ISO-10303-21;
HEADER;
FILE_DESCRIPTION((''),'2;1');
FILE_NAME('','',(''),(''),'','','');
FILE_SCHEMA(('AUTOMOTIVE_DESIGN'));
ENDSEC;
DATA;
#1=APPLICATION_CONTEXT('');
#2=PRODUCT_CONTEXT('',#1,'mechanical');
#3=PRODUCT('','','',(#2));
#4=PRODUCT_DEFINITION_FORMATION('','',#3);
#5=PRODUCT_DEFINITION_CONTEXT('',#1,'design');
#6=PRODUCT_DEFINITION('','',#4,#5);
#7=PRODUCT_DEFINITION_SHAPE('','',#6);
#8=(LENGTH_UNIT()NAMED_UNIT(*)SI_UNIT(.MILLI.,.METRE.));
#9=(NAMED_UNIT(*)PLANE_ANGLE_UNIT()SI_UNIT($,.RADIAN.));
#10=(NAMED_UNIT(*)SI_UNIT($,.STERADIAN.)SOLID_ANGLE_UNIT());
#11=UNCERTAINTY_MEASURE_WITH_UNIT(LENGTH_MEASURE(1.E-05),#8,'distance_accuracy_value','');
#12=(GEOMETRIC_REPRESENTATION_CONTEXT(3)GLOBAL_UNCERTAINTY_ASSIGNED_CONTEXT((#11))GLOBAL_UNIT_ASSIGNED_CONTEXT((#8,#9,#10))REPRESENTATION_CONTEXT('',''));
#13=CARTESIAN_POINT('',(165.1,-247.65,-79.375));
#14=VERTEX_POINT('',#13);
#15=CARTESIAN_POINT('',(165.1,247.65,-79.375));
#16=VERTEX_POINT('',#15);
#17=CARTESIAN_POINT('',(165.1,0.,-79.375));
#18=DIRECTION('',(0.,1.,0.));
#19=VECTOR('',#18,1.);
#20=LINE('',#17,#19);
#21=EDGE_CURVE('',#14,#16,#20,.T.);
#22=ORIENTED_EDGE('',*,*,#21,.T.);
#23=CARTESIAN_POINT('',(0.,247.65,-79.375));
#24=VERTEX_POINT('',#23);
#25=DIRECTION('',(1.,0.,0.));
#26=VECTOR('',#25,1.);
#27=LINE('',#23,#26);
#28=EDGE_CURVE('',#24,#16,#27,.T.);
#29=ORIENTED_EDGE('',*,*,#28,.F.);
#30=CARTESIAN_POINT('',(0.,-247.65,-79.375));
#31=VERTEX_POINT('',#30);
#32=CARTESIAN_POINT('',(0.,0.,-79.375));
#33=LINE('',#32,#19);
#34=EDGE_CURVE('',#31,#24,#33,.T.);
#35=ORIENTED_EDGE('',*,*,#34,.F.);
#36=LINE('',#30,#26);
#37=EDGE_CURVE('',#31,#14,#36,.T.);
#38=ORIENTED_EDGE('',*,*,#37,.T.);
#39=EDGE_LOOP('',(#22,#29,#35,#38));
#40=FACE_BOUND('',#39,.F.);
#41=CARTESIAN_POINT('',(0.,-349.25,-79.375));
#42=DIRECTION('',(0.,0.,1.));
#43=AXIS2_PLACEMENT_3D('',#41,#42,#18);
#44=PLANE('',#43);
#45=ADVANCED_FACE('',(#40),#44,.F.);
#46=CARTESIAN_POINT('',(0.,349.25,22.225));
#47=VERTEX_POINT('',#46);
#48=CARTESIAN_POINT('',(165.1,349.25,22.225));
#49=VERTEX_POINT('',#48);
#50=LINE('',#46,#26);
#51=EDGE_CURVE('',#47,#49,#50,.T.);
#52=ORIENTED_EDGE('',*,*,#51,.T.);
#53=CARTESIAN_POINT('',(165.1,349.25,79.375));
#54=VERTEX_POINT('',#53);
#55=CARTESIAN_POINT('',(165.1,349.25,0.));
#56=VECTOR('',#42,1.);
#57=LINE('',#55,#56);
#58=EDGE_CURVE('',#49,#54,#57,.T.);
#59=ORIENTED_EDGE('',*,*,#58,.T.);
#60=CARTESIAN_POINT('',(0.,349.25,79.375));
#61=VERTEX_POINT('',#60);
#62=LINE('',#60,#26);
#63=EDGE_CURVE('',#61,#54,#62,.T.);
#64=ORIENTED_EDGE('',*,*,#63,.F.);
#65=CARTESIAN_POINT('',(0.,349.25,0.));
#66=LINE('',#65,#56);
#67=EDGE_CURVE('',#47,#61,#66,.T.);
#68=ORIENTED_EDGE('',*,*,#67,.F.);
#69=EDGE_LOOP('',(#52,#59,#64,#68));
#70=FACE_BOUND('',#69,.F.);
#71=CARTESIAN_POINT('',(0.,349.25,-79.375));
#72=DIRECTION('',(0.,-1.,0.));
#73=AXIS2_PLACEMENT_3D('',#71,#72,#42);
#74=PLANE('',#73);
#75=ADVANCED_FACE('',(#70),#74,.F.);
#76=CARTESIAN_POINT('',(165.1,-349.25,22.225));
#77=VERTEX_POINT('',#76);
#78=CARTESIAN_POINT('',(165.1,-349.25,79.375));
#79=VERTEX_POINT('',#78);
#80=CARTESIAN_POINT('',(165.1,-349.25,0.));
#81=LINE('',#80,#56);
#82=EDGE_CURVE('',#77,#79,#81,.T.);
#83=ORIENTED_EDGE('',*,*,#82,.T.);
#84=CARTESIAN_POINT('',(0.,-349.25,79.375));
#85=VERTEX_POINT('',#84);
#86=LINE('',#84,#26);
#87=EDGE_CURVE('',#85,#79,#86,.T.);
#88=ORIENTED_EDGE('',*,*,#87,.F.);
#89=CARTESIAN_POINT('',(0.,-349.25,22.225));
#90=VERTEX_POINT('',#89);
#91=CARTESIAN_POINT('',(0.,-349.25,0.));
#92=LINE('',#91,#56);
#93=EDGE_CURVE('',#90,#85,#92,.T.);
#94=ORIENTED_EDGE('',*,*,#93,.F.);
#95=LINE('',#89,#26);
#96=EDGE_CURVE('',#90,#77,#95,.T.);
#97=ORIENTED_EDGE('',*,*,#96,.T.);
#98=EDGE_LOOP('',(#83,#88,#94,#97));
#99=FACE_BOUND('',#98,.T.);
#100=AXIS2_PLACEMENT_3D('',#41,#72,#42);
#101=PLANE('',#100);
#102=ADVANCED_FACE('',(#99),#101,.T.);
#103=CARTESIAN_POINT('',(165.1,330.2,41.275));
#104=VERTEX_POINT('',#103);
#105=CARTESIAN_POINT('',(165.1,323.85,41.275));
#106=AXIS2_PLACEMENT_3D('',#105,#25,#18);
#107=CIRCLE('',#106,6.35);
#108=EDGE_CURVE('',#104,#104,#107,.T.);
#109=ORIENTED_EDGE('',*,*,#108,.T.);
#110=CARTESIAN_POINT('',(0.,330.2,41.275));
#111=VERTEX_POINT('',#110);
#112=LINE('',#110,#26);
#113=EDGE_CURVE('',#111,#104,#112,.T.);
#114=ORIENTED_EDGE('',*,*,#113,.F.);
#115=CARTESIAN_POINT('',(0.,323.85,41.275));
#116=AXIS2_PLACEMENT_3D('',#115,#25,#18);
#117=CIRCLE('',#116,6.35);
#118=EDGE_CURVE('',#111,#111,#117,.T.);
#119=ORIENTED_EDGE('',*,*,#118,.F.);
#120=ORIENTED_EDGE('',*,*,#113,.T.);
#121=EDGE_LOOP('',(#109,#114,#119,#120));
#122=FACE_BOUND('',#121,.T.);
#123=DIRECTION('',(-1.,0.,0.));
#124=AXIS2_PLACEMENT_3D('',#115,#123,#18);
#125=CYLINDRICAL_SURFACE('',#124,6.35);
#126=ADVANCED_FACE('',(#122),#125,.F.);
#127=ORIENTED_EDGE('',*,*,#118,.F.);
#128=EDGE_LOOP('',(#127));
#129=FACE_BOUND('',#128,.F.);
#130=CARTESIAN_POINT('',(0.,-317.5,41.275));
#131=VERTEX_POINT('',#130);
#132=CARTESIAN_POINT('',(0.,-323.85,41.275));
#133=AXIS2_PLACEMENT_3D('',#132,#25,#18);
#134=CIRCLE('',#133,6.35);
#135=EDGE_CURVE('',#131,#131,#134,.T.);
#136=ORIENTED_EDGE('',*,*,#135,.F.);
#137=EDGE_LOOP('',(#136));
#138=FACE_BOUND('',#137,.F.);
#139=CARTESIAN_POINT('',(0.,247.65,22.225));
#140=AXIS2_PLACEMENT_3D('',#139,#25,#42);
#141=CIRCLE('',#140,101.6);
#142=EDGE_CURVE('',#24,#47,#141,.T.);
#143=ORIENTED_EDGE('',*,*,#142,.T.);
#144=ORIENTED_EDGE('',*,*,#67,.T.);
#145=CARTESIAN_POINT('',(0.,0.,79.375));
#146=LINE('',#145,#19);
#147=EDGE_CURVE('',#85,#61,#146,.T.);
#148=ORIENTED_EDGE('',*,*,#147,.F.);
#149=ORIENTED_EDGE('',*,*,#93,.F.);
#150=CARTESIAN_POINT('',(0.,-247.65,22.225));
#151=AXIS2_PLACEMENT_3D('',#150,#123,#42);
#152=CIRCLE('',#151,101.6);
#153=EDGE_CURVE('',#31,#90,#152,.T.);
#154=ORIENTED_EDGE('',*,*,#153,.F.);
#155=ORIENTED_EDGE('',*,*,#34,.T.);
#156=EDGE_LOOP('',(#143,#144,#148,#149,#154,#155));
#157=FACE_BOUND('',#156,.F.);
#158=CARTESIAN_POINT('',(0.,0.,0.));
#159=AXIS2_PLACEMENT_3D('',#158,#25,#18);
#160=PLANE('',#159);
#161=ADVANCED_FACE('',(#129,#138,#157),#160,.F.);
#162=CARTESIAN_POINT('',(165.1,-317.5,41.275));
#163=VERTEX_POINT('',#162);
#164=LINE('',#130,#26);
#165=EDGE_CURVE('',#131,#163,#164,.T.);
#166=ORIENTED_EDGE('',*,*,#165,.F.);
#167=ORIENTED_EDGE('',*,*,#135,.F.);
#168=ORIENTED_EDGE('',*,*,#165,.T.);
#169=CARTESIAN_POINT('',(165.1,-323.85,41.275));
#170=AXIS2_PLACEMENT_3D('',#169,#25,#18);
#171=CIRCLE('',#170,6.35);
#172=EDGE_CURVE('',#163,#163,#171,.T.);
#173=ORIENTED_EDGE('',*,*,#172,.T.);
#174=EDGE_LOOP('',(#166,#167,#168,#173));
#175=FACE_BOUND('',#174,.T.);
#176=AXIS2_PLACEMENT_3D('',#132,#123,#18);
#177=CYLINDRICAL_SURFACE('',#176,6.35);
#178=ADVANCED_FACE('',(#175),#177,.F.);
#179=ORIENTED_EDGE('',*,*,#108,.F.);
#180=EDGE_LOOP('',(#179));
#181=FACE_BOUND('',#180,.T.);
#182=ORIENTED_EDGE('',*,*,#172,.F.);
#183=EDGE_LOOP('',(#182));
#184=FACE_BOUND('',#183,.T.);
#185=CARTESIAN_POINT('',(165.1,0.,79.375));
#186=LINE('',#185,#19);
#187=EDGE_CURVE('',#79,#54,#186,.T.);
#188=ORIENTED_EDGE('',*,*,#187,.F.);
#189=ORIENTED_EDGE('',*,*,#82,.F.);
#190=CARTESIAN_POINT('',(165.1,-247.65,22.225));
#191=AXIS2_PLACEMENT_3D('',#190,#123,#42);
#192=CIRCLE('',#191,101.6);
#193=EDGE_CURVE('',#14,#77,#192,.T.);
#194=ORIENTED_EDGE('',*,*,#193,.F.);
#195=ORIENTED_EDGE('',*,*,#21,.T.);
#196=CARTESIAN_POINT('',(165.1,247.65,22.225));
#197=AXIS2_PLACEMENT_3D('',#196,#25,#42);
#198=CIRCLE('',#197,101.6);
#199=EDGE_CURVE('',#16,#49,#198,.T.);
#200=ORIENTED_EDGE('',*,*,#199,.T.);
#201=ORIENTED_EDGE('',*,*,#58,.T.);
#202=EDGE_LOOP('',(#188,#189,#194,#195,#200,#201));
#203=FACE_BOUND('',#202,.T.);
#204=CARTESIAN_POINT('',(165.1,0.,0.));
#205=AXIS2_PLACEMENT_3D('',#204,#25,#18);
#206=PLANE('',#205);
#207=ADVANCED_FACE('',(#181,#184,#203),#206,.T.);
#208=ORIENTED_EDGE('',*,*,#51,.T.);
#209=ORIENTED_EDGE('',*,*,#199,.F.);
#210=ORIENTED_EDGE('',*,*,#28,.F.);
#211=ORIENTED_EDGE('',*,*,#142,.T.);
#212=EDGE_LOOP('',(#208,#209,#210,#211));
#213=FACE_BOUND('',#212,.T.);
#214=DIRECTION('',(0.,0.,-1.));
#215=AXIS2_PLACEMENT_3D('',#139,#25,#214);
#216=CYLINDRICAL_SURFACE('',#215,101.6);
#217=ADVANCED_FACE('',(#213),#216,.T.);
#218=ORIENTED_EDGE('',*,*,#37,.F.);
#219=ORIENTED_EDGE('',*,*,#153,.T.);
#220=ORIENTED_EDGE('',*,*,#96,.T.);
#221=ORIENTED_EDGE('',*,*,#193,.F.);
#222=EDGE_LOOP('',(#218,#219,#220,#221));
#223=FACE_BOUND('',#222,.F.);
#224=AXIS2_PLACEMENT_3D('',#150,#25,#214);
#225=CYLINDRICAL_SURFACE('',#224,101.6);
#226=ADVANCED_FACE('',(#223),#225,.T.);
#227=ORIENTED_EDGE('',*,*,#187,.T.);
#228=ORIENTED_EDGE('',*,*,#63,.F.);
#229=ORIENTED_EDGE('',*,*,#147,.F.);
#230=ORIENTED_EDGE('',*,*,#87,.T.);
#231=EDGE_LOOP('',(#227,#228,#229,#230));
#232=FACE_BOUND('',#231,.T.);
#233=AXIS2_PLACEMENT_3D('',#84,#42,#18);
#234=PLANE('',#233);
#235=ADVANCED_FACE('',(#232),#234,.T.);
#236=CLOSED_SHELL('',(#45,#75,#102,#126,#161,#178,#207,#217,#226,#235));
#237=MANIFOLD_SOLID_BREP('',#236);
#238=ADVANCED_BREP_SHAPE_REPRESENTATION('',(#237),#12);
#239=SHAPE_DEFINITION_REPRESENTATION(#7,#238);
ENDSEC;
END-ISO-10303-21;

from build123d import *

# Parameters (mm, degrees)
F0_W     = 698.5
F0_H     = 158.75
F0_R     = 6.35
F1_DEPTH = 165.1
F2_R     = 101.6
F3_R     = 101.6


with BuildPart() as f1:
    # F0 (on Right) → F1 (new body)
    with BuildSketch(Plane.YZ):
        Rectangle(F0_W, F0_H)
        with Locations((-323.85, 41.275)):
            Circle(F0_R, mode=Mode.SUBTRACT)
        with Locations((323.85, 41.275)):
            Circle(F0_R, mode=Mode.SUBTRACT)
    extrude(amount=F1_DEPTH)

    # F2
    f2_edges = [f1.edges().sort_by_distance(p)[0] for p in [
        (82.55, 349.25, -79.375),
    ]]
    fillet(f2_edges, radius=F2_R)

    # F3
    f3_edges = [f1.edges().sort_by_distance(p)[0] for p in [
        (82.55, -349.25, -79.375),
    ]]
    fillet(f3_edges, radius=F3_R)


solid = f1.part
